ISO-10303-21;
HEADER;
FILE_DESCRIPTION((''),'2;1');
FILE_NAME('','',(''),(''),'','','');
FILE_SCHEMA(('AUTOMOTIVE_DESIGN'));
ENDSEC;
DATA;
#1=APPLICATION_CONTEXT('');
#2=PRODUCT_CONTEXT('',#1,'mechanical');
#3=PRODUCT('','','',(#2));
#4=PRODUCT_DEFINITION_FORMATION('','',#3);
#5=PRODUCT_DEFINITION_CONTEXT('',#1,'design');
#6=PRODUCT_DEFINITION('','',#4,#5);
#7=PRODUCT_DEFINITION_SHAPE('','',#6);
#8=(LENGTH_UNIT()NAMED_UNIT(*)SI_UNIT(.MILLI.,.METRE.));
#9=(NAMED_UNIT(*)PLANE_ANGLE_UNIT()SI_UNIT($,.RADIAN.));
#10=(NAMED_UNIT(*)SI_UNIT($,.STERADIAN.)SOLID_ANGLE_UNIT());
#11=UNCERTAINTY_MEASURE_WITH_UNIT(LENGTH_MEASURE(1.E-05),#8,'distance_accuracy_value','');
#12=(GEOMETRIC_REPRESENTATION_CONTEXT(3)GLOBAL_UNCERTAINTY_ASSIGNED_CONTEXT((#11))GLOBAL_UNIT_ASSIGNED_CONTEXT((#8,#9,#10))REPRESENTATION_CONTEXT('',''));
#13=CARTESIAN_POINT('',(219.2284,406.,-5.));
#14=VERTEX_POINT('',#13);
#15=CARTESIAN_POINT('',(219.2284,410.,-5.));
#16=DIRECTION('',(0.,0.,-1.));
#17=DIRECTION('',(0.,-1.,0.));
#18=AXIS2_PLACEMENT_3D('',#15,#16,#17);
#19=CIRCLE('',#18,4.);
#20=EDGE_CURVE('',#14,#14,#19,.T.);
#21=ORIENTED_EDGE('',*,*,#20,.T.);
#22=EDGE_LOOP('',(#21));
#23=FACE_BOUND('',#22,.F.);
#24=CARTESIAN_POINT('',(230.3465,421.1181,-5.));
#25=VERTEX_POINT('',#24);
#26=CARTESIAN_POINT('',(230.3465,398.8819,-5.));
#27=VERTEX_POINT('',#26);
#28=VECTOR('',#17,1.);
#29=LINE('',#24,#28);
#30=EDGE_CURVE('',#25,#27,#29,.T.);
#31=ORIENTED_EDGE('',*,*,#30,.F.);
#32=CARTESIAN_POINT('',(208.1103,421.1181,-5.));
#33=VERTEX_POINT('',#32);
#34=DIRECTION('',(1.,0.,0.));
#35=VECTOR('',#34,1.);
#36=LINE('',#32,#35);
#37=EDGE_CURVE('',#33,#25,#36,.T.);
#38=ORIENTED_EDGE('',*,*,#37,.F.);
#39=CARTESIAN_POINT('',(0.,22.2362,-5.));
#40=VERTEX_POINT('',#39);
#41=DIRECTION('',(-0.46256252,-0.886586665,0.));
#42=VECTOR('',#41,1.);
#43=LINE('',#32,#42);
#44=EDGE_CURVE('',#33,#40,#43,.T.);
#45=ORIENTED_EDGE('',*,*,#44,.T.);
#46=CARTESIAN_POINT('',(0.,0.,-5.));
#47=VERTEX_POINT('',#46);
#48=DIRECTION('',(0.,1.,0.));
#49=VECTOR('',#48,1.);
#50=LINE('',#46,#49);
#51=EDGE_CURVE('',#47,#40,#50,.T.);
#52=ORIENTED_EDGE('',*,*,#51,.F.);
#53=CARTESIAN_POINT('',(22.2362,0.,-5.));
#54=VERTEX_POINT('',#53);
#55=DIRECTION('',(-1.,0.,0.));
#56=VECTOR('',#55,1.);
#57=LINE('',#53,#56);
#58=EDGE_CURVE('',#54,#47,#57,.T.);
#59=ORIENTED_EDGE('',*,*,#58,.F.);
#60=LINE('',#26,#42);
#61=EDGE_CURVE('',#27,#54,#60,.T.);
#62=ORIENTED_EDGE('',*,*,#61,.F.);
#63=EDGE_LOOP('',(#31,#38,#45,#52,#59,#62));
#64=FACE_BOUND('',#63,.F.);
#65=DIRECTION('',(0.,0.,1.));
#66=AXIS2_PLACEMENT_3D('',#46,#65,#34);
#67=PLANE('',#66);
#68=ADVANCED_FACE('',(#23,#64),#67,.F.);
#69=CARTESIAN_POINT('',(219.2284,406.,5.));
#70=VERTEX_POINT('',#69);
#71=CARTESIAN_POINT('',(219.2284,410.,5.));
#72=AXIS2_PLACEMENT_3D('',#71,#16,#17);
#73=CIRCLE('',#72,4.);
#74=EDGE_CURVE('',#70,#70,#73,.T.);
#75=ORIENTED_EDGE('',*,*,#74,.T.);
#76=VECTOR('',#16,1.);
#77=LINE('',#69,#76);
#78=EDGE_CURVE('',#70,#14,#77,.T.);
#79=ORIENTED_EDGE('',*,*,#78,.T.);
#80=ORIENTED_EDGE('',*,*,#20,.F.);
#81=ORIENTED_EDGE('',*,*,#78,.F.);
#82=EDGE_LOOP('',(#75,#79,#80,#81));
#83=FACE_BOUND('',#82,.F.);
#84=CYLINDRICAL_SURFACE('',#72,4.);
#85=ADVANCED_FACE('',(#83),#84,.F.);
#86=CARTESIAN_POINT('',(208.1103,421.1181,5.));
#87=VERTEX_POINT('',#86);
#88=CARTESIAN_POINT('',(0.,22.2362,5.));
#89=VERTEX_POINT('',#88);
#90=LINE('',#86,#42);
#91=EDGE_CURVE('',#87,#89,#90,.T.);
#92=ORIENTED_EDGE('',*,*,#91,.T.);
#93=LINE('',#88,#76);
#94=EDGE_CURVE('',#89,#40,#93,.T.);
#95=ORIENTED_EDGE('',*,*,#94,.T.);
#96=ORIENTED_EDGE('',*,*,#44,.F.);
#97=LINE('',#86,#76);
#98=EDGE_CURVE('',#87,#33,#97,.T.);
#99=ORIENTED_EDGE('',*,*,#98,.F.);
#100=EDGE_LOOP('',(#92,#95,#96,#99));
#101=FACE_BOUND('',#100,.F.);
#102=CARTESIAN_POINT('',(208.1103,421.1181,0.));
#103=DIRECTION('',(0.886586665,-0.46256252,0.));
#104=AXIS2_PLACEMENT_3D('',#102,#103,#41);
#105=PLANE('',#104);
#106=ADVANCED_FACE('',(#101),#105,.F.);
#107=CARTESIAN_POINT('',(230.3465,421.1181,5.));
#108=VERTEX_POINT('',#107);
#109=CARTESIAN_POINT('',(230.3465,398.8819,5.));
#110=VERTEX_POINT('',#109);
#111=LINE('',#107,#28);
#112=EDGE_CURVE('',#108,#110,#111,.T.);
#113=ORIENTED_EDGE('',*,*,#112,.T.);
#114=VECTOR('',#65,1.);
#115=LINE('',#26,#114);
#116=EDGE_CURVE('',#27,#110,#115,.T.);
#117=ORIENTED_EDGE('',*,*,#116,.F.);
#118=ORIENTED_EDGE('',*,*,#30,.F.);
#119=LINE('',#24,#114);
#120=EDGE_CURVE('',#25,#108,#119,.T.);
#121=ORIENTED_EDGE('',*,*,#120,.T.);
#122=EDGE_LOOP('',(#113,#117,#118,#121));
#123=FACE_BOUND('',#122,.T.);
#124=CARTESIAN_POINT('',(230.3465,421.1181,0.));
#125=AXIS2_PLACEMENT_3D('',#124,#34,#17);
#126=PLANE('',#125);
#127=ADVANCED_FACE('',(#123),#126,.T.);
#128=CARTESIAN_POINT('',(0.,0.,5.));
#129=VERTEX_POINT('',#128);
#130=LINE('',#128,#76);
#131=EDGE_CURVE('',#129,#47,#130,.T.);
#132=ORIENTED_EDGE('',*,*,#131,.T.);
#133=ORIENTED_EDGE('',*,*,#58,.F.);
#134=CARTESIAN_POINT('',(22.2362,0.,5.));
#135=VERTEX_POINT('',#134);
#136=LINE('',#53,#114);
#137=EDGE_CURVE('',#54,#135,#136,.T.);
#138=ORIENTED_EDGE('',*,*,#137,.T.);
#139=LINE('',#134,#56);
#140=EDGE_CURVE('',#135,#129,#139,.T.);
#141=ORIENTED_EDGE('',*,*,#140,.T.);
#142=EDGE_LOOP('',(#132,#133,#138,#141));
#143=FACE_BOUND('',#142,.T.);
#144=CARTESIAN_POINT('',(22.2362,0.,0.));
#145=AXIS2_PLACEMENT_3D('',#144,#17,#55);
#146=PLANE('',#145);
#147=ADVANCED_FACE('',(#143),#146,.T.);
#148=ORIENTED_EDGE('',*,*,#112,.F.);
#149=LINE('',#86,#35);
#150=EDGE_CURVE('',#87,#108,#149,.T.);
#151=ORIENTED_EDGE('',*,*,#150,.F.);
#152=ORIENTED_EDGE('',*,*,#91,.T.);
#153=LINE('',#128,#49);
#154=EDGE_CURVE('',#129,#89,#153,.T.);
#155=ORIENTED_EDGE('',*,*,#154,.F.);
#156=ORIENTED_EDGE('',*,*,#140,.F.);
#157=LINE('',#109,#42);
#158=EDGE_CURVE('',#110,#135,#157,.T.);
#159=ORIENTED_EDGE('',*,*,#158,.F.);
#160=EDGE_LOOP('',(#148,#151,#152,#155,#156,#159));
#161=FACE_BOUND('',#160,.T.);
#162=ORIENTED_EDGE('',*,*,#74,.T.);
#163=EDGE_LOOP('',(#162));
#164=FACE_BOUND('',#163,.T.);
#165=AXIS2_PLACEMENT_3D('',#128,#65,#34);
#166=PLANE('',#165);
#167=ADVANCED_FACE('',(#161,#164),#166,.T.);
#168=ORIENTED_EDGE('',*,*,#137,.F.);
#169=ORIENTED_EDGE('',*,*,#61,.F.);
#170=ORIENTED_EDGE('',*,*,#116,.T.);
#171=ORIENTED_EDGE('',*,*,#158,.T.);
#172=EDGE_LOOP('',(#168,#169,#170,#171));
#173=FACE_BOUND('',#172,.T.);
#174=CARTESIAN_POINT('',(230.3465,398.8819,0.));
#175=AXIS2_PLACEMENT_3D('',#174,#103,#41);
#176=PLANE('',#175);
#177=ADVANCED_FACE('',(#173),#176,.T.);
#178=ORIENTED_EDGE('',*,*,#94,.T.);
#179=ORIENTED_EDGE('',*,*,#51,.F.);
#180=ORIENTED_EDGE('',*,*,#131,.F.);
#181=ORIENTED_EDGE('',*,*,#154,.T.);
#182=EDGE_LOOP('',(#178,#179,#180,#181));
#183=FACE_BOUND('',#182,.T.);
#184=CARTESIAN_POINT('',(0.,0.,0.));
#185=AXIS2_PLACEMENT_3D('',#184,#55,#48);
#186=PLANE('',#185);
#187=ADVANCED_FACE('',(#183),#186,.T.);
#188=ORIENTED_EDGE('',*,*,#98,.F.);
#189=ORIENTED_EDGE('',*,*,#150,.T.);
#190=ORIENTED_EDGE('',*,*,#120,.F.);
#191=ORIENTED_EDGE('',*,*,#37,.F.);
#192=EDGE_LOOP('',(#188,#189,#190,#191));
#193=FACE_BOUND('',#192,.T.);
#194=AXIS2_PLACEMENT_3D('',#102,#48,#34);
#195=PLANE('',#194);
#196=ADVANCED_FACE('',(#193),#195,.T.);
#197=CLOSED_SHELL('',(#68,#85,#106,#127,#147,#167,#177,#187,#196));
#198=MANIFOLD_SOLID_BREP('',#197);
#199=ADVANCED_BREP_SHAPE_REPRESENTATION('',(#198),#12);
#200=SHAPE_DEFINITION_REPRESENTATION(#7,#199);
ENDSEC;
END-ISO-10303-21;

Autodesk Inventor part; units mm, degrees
ref_plane "YZ Plane" through (0, 0, 0) normal (1, 0, 0) x (0, 1, 0)
ref_plane "XZ Plane" through (0, 0, 0) normal (0, 1, 0) x (-1, 0, 0)
ref_plane "XY Plane" through (0, 0, 0) normal (0, 0, 1) x (1, 0, 0)
sketch "Sketch1" plane through (0, 0, 0) normal (0, 0, 1) x (1, 0, 0)
  line L0 (0, 22.2362) -> (22.2362, 22.2362) construction
  line L1 (22.2362, 22.2362) -> (22.2362, 0) construction
  line L2 (22.2362, 0) -> (0, 0)
  line L3 (0, 0) -> (0, 22.2362)
  line L4 (0, 22.2362) -> (22.2362, 0) construction
  line L5 (22.2362, 22.2362) -> (0, 0) construction
  line L6 (208.1103, 421.1181) -> (230.3465, 421.1181)
  line L7 (230.3465, 421.1181) -> (230.3465, 398.8819)
  line L8 (230.3465, 398.8819) -> (208.1103, 398.8819) construction
  line L9 (208.1103, 398.8819) -> (208.1103, 421.1181) construction
  line L10 (208.1103, 421.1181) -> (230.3465, 398.8819) construction
  line L11 (230.3465, 421.1181) -> (208.1103, 398.8819) construction
  line L12 (208.1103, 421.1181) -> (0, 22.2362)
  line L13 (230.3465, 398.8819) -> (22.2362, 0)
  line L14 (0, 0) -> (230.3465, 421.1181) construction
  line L15 (-46.0693, 0) -> (276.4159, 0) construction
  point P0 (11.1181, 11.1181)
  point P1 (219.2284, 410)
  point P2 (115.1733, 210.5591)
  dimension "d1" = 480
  dimension "d14" = 410
  dimension "d15" = 30
extrude "Extrusion1" add sketch "Sketch1" along normal mid plane 10
sketch "Sketch2" plane through (0, 0, 5) normal (0, 0, 1) x (1, 0, 0)
  line L0 (230.3465, 421.1181) -> (208.1103, 421.1181) construction
  line L1 (230.3465, 398.8819) -> (230.3465, 421.1181) construction
  line L2 (208.1103, 421.1181) -> (230.3465, 398.8819) construction
  point P0 (0, 0)
  point P1 (219.2284, 410)
hole "Hole1" at (219.2284, 410, 5) direction (0, 0, -1) diameter 8 end through all
properties part number "Support - Left"
